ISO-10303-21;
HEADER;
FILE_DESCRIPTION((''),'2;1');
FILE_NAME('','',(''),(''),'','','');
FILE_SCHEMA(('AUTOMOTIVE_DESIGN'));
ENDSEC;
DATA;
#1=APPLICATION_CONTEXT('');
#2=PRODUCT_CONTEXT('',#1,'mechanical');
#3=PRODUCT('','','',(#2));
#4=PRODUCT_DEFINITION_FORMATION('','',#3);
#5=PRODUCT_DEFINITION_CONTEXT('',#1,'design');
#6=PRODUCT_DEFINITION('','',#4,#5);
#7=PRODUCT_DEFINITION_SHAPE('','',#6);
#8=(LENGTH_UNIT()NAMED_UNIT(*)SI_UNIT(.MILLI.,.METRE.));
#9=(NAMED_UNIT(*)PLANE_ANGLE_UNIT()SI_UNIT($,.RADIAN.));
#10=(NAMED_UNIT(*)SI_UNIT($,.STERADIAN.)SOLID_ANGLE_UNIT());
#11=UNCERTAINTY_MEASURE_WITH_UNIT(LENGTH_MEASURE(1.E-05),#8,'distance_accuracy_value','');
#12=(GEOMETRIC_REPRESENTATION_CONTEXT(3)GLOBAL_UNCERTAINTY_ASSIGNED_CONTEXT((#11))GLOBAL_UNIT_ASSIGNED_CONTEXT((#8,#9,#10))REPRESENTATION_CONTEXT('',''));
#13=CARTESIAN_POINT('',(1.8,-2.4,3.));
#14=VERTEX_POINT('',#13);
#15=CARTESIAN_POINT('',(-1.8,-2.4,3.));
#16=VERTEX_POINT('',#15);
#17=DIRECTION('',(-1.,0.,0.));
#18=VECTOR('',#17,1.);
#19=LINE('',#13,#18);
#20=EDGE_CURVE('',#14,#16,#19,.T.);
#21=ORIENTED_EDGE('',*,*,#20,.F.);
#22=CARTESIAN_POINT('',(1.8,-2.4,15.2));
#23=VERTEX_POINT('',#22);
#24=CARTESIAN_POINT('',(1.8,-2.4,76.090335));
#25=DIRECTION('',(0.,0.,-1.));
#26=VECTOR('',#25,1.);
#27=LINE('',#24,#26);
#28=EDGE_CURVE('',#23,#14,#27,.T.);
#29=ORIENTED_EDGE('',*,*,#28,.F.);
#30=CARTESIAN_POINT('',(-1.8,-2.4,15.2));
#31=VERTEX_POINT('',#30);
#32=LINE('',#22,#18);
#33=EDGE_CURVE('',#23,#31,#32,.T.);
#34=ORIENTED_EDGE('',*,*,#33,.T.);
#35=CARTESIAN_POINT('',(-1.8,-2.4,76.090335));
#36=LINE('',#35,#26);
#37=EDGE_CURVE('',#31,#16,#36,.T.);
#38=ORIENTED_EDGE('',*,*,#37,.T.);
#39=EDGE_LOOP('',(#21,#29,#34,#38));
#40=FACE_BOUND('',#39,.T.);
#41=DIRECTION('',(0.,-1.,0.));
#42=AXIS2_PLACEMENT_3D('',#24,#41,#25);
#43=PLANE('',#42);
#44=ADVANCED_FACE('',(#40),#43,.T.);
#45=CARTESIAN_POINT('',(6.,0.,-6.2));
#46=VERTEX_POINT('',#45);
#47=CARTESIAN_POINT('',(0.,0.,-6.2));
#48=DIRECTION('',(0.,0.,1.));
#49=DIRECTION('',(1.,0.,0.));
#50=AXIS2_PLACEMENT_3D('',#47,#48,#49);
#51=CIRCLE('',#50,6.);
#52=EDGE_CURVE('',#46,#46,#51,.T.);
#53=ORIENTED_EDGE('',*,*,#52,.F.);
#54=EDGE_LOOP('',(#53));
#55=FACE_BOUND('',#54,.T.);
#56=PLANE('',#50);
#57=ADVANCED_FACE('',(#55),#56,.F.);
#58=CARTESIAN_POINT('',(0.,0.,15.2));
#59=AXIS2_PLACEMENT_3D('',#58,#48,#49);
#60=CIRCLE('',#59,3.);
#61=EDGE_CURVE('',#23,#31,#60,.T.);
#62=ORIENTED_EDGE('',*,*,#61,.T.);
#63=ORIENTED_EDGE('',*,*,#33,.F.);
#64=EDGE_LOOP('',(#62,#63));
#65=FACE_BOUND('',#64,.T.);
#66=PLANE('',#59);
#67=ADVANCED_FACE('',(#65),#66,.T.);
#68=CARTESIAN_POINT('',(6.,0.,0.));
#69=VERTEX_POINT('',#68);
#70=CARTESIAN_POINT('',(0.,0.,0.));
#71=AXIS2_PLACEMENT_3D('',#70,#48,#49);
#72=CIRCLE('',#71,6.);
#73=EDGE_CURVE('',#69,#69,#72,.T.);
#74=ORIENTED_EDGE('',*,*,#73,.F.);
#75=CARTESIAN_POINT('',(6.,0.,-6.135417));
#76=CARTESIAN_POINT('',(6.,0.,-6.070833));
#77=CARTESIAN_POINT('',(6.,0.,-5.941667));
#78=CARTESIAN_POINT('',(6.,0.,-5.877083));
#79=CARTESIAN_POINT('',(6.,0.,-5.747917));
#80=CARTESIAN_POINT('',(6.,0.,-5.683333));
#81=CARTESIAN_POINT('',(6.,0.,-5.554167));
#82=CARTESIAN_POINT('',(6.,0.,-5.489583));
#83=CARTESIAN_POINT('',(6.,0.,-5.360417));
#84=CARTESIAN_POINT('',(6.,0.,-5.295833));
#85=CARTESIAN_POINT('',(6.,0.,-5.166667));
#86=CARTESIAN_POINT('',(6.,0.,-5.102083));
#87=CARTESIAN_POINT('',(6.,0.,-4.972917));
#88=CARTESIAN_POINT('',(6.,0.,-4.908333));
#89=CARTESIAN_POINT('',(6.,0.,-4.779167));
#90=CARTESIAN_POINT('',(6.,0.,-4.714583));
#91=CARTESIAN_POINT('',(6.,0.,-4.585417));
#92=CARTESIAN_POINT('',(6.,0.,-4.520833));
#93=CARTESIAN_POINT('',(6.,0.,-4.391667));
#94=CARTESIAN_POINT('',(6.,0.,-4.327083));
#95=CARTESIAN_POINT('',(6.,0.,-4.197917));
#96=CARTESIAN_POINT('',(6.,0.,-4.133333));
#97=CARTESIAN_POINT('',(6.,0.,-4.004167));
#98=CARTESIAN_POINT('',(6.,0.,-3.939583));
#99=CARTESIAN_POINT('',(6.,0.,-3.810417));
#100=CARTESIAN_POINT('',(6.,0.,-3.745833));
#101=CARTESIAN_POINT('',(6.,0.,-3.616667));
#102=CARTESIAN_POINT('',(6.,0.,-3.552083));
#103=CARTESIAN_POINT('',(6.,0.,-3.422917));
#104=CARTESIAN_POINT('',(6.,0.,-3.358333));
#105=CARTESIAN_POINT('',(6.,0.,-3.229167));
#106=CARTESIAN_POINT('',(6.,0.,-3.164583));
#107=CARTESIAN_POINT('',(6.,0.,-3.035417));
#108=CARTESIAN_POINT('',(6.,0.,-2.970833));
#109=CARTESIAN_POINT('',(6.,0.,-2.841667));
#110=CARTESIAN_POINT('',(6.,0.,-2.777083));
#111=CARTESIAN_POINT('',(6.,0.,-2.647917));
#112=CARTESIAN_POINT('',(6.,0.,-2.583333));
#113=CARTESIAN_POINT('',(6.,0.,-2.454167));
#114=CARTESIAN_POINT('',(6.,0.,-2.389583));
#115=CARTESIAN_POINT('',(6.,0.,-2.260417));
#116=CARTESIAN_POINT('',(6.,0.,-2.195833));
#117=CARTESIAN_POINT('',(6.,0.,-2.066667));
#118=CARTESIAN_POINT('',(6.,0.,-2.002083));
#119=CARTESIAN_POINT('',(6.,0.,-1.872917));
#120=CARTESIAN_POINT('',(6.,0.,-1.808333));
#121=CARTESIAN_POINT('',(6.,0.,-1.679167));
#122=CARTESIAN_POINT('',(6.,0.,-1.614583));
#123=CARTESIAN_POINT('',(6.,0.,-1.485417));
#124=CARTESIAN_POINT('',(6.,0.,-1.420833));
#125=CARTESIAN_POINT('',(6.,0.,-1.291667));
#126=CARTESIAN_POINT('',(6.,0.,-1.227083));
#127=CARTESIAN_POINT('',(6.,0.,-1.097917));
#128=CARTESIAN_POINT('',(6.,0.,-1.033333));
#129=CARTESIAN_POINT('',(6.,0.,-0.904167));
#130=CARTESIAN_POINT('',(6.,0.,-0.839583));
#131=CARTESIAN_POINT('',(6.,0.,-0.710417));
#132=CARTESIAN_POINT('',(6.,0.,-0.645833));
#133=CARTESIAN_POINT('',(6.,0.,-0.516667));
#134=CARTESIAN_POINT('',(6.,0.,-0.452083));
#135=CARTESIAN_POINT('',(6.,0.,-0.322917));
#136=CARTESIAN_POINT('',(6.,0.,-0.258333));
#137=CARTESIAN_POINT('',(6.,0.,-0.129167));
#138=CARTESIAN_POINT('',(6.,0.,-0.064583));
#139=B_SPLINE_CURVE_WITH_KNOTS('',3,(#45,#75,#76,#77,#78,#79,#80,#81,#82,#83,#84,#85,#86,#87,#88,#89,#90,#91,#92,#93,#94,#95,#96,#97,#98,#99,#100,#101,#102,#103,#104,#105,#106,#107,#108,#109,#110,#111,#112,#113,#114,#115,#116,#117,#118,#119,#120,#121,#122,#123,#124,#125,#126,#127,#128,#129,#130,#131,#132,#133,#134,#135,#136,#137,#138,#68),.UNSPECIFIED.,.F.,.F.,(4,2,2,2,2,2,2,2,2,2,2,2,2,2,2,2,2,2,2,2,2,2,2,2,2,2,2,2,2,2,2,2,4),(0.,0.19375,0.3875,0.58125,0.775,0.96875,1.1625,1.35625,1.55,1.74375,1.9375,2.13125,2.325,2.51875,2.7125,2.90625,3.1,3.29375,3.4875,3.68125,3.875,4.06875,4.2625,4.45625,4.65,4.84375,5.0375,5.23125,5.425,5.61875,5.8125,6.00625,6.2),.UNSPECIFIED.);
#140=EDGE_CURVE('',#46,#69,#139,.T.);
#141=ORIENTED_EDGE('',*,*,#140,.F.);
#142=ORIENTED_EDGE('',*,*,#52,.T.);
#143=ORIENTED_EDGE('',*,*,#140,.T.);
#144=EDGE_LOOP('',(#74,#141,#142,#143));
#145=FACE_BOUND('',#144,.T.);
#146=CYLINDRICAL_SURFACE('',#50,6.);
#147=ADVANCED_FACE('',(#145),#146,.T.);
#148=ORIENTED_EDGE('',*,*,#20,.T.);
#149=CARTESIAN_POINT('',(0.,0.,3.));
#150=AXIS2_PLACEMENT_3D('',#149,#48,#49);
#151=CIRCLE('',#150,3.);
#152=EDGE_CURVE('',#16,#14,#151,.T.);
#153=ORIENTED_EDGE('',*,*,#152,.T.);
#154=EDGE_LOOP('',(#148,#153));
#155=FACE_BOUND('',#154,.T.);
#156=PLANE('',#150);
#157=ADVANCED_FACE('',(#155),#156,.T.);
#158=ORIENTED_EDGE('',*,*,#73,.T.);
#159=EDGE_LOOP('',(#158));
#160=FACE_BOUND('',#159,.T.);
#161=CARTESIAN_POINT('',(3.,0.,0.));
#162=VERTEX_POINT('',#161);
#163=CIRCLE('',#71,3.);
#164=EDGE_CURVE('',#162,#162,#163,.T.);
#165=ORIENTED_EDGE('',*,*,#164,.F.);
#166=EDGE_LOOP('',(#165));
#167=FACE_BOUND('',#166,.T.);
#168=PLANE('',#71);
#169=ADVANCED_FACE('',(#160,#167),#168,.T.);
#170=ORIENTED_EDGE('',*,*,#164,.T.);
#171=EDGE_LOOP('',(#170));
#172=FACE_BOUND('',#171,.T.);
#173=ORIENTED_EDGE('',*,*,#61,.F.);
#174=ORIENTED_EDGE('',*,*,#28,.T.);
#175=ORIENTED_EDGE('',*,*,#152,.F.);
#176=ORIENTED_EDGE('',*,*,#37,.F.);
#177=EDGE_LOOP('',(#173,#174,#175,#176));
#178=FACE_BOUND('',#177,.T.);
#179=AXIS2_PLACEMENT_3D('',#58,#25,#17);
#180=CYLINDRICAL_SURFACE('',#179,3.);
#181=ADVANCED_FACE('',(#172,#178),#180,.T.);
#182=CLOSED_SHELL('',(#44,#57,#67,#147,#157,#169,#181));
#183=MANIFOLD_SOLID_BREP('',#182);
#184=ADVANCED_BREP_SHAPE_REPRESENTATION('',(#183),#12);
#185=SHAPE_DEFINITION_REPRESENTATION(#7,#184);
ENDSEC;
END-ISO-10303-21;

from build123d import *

# Parameters (mm, degrees)
CROQUIS2_R                 = 6
SALIENTE_EXTRUIR1_DEPTH    = 6.2
CROQUIS3_R                 = 3
SALIENTE_EXTRUIR2_DEPTH    = 15.2
CORTAR_EXTRUIR1_DEPTH      = 24.020860106
CORTAR_EXTRUIR1_DEPTH_BACK = 12.2


with BuildPart() as part:
    # Croquis2 → Saliente-Extruir1 (new body)
    with BuildSketch(Plane.XY):
        Circle(CROQUIS2_R)
    extrude(amount=-SALIENTE_EXTRUIR1_DEPTH)

    # Croquis3 → Saliente-Extruir2 (add)
    with BuildSketch(Plane.XY):
        with Locations(Location((0, 0, 0), (0, 0, 180))):
            Circle(CROQUIS3_R)
    extrude(amount=SALIENTE_EXTRUIR2_DEPTH)

    # Croquis4 → Cortar-Extruir1 (cut, two sides: drawn at the far end of the back side and taken through both)
    with BuildSketch(Plane.XY.offset(15.2).offset(-CORTAR_EXTRUIR1_DEPTH_BACK)):
        Polygon((34.725967809, -2.4), (1.8, -2.4), (-1.8, -2.4), (-34.725967809, -2.4), (-34.725967809, -68.251935619), (34.725967809, -68.251935619), align=None)
    extrude(amount=CORTAR_EXTRUIR1_DEPTH + CORTAR_EXTRUIR1_DEPTH_BACK, mode=Mode.SUBTRACT)


solid = part.part
